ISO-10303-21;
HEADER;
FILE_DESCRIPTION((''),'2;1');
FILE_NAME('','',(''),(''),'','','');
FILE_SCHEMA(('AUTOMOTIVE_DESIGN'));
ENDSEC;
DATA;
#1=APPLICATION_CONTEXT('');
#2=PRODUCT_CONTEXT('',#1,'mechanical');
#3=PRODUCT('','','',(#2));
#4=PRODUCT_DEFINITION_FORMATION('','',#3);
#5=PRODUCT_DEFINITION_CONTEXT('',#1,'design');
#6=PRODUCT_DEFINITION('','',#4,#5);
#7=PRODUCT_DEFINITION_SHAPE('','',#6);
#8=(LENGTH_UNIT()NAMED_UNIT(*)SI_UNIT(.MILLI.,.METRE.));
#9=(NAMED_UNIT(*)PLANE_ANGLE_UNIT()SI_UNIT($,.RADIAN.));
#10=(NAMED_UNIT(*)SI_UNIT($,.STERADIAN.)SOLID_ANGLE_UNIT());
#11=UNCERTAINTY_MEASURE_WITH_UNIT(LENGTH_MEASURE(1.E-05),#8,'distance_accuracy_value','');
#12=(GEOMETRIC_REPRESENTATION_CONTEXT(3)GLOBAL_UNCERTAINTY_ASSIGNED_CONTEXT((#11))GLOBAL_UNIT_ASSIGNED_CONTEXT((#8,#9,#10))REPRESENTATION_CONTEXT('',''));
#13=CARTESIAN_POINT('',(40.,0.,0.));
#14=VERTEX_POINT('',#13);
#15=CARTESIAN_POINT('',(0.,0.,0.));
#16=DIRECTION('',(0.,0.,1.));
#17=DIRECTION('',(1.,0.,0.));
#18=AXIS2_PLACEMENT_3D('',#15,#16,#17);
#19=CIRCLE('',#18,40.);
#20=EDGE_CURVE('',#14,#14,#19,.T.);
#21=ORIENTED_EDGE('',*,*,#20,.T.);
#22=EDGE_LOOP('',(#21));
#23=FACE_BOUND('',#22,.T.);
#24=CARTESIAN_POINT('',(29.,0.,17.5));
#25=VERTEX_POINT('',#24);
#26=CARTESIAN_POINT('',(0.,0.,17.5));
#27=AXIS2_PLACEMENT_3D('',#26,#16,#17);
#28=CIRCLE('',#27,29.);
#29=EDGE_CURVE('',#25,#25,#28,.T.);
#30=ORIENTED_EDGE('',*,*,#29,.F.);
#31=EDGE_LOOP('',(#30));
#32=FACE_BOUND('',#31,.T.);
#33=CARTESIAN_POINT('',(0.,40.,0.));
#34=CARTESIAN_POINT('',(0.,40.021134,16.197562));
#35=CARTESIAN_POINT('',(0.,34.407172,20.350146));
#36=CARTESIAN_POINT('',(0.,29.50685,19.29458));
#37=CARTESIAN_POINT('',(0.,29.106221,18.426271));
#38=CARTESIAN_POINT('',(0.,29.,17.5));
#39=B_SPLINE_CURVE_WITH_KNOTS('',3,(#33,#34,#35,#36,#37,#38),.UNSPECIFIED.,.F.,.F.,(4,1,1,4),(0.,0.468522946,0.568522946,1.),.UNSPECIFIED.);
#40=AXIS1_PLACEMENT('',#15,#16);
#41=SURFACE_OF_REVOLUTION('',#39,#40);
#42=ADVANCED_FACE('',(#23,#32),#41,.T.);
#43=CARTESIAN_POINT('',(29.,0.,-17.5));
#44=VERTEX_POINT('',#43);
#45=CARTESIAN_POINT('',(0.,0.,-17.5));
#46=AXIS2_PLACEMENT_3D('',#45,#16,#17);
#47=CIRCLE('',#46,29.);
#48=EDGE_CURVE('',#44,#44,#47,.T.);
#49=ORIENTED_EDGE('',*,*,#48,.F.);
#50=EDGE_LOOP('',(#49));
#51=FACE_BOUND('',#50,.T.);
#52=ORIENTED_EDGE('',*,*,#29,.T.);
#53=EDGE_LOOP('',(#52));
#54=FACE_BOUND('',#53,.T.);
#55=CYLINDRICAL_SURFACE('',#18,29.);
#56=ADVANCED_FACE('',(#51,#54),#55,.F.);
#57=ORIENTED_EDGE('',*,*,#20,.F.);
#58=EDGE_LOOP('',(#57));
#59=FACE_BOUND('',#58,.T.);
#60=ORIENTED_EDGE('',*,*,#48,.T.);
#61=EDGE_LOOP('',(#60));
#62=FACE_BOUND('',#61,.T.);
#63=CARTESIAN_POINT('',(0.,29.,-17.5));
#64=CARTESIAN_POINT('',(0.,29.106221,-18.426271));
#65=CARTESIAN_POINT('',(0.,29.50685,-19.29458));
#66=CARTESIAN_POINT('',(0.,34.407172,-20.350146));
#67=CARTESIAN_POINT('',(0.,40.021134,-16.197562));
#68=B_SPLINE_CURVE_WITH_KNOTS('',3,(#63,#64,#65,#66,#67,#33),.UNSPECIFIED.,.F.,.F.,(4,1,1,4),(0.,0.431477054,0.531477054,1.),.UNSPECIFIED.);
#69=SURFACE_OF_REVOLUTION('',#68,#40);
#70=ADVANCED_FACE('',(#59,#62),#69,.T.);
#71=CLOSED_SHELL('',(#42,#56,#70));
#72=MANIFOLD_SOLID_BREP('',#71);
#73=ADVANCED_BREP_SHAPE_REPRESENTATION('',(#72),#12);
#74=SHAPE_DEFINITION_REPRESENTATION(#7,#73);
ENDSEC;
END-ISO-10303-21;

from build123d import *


with BuildPart() as part:
    # Esquisse1 → Révolution1 (revolve)
    with BuildSketch(Plane(origin=(0, 0, 0), x_dir=(0, 0, -1), z_dir=(1, 0, 0))):
        with BuildLine():
            Line((17.5, 29), (-17.5, 29))
            add(Edge.make_bspline(
                [(-17.5, 29), (-18.426270783, 29.106220688), (-19.294580006, 29.506849514), (-20.350146127, 34.407172153), (-16.197562111, 40.021134098), (0, 40)],
                knots=[0, 0, 0, 0, 0.431477054, 0.531477054, 1, 1, 1, 1], degree=3))
            add(Edge.make_bspline(
                [(17.5, 29), (18.426270783, 29.106220688), (19.294580006, 29.506849514), (20.350146127, 34.407172153), (16.197562111, 40.021134098), (0, 40)],
                knots=[0, 0, 0, 0, 0.431477054, 0.531477054, 1, 1, 1, 1], degree=3))
        make_face()
    revolve(axis=Axis((0, 0, 0), (0, 0, -1)))


solid = part.part
